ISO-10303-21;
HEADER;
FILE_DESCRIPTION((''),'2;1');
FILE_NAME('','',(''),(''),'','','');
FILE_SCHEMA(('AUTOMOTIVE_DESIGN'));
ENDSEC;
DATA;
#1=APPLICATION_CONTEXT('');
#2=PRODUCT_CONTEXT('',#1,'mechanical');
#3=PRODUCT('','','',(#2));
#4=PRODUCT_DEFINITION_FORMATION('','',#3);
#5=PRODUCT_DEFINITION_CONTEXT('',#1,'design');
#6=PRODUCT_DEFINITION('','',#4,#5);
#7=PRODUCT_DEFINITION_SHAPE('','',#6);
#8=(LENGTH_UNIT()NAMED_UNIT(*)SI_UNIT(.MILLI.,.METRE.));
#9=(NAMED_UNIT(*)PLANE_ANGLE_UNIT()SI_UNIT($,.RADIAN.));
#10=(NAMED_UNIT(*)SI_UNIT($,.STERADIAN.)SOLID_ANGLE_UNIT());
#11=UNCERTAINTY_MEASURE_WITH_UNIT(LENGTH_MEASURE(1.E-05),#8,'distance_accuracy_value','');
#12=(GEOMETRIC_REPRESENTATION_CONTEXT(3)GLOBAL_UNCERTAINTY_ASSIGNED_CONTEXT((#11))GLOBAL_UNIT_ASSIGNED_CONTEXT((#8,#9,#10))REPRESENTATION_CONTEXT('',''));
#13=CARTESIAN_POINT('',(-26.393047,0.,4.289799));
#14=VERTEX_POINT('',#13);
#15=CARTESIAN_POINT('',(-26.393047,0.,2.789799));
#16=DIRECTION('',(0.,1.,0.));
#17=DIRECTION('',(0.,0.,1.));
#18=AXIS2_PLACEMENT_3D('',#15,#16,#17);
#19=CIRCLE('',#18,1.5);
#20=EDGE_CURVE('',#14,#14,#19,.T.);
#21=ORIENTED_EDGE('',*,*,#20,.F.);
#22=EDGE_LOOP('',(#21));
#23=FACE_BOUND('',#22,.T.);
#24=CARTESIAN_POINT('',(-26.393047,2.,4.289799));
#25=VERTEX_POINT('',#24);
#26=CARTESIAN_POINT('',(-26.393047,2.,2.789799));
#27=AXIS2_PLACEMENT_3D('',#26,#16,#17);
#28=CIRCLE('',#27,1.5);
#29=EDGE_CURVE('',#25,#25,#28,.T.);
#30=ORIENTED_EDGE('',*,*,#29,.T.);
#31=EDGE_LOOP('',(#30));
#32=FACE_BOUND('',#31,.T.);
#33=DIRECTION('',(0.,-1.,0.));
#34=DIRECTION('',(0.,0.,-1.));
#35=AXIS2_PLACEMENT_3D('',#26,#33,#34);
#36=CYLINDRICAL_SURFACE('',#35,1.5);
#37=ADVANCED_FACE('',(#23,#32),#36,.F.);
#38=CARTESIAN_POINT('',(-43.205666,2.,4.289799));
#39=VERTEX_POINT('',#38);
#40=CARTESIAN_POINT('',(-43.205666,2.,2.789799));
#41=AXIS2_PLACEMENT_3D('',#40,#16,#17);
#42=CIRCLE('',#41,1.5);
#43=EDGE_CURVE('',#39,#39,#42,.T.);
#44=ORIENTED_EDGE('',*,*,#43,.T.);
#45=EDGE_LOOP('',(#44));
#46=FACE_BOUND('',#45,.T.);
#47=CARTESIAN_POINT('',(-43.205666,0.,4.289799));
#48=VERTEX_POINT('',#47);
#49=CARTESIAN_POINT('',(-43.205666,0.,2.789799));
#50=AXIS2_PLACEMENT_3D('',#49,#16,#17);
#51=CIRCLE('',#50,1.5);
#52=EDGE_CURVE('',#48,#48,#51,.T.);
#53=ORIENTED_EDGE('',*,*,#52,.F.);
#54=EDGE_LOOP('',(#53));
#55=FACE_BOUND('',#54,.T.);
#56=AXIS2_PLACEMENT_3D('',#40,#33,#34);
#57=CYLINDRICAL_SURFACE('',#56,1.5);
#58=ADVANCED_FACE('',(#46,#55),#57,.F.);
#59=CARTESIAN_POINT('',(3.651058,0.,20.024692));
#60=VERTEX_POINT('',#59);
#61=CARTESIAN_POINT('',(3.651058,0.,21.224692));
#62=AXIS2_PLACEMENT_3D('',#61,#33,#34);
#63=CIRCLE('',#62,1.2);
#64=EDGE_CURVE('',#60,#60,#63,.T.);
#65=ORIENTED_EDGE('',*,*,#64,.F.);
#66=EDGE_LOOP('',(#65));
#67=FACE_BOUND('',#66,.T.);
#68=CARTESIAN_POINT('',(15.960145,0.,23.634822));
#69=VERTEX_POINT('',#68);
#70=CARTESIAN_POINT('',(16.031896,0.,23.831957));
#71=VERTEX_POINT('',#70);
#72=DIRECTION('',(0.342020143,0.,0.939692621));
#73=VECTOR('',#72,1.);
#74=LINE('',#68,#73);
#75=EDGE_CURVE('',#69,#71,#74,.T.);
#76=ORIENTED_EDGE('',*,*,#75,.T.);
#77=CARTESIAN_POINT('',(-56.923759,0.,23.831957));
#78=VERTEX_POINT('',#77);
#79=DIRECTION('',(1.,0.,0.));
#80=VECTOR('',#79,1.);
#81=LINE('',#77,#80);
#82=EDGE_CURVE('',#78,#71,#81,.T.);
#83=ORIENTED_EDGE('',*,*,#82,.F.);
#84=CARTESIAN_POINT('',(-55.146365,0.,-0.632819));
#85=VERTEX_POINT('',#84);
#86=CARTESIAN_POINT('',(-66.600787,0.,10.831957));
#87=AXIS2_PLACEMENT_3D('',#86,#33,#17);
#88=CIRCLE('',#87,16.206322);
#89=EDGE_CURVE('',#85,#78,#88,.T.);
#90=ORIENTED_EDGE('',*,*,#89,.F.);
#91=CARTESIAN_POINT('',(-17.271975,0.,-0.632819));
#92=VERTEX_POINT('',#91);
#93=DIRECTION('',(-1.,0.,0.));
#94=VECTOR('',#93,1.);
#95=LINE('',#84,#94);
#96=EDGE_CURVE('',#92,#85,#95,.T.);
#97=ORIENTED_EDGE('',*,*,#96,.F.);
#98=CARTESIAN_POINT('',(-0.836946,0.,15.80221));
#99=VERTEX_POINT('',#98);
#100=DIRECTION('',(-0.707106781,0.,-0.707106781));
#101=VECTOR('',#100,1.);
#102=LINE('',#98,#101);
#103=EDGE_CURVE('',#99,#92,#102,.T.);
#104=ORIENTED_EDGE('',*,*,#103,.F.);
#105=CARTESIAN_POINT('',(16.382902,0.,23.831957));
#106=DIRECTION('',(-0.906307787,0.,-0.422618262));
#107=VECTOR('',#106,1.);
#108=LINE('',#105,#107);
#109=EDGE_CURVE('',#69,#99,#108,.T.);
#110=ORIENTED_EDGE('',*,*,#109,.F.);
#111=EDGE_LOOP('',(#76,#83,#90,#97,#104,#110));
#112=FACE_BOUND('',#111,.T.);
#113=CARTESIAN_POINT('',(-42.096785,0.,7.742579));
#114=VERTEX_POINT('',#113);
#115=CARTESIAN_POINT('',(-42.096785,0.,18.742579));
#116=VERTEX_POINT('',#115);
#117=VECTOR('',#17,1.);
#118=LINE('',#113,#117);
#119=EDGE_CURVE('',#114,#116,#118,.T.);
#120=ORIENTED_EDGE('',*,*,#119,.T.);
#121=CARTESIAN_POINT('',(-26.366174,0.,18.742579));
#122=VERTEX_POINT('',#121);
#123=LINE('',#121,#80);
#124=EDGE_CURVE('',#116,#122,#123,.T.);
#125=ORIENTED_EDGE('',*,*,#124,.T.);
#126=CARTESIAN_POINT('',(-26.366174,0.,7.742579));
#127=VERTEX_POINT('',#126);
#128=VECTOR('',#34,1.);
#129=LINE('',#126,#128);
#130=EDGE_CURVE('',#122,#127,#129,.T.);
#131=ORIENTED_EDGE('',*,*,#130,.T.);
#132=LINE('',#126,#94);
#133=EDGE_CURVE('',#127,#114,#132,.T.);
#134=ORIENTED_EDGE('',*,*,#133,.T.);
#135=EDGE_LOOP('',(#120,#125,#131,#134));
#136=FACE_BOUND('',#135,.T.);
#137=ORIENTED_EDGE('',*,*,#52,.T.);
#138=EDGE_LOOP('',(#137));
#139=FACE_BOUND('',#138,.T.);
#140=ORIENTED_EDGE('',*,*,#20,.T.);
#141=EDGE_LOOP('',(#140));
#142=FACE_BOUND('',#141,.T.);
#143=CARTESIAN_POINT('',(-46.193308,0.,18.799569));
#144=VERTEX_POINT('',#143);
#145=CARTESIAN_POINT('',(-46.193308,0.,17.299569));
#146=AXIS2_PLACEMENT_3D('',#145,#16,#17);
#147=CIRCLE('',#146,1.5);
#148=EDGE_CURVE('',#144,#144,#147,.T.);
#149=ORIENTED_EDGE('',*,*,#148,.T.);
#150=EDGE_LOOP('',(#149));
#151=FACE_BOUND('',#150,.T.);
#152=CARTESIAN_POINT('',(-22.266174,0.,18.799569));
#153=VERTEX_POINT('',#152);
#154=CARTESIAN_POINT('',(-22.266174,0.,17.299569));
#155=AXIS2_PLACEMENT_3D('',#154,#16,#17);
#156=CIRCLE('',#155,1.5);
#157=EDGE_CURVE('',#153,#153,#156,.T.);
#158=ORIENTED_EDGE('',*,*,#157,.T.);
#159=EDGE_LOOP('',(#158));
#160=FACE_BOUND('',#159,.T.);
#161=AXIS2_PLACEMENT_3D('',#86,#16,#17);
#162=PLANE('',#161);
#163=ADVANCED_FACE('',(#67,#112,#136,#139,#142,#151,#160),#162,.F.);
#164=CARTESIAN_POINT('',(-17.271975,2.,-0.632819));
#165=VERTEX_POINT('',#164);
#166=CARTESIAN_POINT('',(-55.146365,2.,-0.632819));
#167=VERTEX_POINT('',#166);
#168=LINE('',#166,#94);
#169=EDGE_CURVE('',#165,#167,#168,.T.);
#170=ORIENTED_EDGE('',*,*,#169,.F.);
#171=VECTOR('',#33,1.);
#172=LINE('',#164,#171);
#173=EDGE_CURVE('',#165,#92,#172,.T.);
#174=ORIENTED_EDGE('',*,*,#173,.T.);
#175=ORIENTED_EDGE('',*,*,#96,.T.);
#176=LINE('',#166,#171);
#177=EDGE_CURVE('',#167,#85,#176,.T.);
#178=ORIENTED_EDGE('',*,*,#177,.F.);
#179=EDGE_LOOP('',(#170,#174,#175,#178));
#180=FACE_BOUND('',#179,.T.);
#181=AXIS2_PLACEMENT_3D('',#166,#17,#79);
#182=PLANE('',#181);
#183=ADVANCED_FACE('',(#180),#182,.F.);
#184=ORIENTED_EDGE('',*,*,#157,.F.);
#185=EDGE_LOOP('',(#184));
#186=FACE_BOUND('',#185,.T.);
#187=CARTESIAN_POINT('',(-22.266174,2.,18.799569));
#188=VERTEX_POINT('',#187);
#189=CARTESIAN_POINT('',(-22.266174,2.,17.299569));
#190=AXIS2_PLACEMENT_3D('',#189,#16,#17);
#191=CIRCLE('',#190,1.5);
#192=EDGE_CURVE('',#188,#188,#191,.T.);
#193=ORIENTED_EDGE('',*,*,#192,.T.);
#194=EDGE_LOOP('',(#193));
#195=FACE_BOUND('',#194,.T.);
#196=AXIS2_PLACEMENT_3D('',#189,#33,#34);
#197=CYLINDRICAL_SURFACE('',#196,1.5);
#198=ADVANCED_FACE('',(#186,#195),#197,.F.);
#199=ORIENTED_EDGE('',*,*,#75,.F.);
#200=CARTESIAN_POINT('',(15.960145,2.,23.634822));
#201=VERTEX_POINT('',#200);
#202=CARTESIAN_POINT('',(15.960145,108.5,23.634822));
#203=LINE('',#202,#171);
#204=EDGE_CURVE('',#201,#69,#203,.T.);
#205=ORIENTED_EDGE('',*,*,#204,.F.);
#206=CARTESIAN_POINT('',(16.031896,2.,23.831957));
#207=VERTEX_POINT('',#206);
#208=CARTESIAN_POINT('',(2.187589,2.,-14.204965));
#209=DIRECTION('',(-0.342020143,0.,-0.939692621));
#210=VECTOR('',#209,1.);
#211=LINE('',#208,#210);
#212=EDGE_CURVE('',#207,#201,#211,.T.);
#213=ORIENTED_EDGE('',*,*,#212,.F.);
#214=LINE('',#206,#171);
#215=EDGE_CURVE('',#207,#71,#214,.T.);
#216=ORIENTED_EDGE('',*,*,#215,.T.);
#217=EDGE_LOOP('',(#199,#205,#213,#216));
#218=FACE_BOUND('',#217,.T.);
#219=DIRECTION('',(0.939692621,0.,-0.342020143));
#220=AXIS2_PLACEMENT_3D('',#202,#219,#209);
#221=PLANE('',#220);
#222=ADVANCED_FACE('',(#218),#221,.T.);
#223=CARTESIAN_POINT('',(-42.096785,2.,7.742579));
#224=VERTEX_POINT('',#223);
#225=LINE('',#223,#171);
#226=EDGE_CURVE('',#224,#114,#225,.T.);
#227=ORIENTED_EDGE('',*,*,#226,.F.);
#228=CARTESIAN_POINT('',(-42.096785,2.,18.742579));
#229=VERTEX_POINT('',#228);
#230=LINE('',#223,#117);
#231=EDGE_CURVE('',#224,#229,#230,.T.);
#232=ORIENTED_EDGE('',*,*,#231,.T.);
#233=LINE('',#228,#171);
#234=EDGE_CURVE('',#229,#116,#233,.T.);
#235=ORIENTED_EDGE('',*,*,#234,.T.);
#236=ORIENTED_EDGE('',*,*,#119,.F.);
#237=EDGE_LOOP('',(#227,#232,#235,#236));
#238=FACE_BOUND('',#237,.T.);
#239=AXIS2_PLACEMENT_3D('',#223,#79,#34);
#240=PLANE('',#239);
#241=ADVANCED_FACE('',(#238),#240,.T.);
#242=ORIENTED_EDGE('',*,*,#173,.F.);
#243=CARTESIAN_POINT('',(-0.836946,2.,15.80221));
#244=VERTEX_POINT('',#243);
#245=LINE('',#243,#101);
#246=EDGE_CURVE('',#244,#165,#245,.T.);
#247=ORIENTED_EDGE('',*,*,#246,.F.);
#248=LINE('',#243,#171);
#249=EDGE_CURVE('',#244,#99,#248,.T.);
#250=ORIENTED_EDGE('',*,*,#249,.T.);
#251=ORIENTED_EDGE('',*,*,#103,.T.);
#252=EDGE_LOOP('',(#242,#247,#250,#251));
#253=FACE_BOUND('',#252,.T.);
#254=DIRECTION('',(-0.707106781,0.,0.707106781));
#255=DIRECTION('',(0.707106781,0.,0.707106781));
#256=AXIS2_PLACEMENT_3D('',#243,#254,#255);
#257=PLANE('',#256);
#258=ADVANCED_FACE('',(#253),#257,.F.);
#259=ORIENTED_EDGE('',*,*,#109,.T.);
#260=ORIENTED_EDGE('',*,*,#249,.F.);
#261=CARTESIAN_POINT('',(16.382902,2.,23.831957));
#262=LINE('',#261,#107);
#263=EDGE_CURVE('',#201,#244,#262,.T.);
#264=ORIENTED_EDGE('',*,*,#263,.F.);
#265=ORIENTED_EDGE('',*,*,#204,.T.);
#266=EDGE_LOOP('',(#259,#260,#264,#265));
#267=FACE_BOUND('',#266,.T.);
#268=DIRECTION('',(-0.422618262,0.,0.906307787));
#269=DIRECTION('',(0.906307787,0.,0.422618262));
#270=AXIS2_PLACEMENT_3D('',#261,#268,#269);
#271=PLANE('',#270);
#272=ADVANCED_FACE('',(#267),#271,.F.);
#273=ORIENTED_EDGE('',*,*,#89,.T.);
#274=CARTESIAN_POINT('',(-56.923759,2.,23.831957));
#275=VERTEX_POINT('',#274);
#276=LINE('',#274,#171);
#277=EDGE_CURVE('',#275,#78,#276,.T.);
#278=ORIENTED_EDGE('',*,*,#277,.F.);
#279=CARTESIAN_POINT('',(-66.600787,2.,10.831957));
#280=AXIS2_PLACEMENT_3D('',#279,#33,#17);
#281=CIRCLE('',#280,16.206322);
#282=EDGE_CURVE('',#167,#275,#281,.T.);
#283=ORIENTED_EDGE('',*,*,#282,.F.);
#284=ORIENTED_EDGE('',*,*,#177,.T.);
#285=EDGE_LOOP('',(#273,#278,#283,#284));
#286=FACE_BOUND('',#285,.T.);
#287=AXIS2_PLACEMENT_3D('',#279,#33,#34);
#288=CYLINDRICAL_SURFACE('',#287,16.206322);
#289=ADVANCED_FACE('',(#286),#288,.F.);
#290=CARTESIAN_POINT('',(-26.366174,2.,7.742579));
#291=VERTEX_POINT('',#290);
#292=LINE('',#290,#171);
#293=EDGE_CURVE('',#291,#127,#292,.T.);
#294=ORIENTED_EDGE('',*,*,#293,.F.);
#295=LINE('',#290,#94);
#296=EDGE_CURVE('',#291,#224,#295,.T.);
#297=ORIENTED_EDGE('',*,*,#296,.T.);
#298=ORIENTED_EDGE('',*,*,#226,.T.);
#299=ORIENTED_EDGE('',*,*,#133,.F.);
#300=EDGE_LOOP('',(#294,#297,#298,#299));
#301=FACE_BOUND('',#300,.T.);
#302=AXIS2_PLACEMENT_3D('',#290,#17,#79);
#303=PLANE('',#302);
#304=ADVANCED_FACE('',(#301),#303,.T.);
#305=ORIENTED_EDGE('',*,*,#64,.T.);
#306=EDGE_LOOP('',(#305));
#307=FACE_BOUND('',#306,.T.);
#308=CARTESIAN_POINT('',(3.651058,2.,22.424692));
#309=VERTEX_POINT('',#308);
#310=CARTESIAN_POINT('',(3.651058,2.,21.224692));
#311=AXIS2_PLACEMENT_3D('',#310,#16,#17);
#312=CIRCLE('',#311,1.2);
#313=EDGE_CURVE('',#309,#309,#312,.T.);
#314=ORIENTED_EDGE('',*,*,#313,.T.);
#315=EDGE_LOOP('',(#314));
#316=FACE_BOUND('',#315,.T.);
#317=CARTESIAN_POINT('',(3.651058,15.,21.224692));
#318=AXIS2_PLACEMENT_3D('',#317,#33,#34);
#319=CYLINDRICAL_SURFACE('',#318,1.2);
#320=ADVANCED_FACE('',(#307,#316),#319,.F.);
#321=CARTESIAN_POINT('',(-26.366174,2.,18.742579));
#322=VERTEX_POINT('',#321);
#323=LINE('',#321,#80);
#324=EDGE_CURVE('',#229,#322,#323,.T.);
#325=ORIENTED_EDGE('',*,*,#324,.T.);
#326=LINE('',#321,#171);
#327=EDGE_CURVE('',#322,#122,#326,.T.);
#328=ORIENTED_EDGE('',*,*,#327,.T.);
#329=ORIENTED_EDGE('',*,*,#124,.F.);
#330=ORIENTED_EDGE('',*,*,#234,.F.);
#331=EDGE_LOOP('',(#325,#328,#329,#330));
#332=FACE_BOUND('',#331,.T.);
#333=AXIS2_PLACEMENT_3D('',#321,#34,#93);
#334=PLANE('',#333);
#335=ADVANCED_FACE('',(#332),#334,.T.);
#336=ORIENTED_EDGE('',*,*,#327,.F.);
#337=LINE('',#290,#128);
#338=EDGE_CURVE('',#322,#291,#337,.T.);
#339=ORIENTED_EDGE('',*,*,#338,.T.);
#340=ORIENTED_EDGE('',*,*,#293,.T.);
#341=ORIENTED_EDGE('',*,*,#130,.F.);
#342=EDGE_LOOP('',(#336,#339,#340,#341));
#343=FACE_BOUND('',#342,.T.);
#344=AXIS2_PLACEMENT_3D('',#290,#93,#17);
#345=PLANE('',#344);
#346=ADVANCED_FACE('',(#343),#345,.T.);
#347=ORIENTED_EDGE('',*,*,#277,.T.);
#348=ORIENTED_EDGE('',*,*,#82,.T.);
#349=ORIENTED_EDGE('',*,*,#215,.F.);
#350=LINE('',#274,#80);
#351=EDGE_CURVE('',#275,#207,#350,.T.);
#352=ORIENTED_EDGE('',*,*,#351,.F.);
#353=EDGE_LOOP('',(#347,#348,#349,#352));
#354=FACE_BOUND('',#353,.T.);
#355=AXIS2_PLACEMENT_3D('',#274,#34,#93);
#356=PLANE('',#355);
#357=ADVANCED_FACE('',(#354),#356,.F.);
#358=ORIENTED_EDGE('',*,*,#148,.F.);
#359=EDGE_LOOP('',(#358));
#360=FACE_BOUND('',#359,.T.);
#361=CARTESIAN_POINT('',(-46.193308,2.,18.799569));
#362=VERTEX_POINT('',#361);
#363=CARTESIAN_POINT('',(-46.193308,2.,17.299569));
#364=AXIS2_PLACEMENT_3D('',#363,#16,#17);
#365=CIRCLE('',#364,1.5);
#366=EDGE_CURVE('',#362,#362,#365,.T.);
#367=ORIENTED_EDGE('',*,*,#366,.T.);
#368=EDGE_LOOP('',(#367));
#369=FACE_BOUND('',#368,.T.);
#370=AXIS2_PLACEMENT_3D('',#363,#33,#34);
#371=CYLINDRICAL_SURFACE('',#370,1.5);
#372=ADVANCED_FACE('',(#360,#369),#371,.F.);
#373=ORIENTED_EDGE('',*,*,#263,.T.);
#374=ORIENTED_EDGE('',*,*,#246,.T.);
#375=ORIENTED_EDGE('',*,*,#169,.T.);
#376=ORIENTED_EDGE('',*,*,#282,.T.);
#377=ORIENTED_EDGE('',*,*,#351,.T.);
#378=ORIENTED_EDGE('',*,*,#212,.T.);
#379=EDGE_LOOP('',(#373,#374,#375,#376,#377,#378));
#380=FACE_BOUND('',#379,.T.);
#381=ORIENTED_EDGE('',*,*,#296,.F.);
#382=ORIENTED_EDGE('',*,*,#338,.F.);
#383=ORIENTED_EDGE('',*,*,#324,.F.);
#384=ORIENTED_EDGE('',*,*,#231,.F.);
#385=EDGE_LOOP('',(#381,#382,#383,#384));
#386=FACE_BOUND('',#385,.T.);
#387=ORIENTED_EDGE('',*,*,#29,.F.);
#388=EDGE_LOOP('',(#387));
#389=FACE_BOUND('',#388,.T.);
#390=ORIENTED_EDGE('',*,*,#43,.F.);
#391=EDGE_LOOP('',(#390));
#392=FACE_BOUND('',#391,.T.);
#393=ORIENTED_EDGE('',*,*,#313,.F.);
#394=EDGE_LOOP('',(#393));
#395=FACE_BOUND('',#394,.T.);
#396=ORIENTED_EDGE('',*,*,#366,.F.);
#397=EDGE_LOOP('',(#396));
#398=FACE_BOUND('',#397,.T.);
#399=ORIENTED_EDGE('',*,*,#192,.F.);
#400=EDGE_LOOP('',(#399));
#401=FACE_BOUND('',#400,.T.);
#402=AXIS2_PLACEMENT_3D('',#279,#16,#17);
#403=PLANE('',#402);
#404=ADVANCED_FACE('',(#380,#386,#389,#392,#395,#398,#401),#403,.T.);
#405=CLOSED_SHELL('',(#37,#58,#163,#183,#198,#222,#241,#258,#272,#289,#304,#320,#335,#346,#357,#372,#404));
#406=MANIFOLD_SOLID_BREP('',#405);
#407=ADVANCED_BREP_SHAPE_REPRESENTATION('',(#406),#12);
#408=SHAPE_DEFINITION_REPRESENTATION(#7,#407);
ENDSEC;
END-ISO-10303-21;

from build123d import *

# Parameters (mm, degrees)
SKETCH_1_R               = 1.5
SKETCH_1_W               = 15.730611704
SKETCH_1_H               = 11
EXTRUDE_1_DEPTH          = 2
CUT_EXTRUDE_1_DEPTH      = 106.5
CUT_EXTRUDE_1_DEPTH_BACK = 62.743635726
SKETCH_7_R               = 1.2
CUT_EXTRUDE_5_DEPTH      = 15


with BuildPart() as part:
    # Эскиз1 → Бобышка-Вытянуть1 (new body)
    with BuildSketch(Plane(origin=(0, 0, 0), x_dir=(1, 0, 0), z_dir=(0, 1, 0))):
        with BuildLine():
            Line((-56.923759365, -23.831956958), (16.382902061, -23.831956958))
            Line((16.382902061, -23.831956958), (-0.836945892, -15.802209985))
            Line((-0.836945892, -15.802209985), (-17.271974735, 0.632818857))
            Line((-17.271974735, 0.632818857), (-55.146365247, 0.632818857))
            ThreePointArc((-55.146365247, 0.632818857), (-50.679018006, -7.808361393), (-51.74094673, -17.29956905))
            ThreePointArc((-51.74094673, -17.29956905), (-53.905020217, -20.904809923), (-56.923759365, -23.831956958))
        make_face()
        with Locations((-43.205666325, -2.789799404)):
            Circle(SKETCH_1_R, mode=Mode.SUBTRACT)
        with Locations((-26.393046621, -2.789799404)):
            Circle(SKETCH_1_R, mode=Mode.SUBTRACT)
        with Locations((-46.193307824, -17.29956905)):
            Circle(SKETCH_1_R, mode=Mode.SUBTRACT)
        with Locations((-22.266173528, -17.29956905)):
            Circle(SKETCH_1_R, mode=Mode.SUBTRACT)
        with Locations((-34.23147938, -13.242579452)):
            Rectangle(SKETCH_1_W, SKETCH_1_H, mode=Mode.SUBTRACT)
    extrude(amount=EXTRUDE_1_DEPTH)

    # Эскиз2 → Вырез-Вытянуть1 (cut, two sides: drawn at the far end of the back side and taken through both)
    with BuildSketch(Plane(origin=(0, 2, 0), x_dir=(1, 0, 0), z_dir=(0, 1, 0)).offset(-CUT_EXTRUDE_1_DEPTH_BACK)):
        Polygon((16.382902061, -23.831956958), (15.960145161, -23.634822178), (16.059019052, -23.90647596), align=None)
    extrude(amount=CUT_EXTRUDE_1_DEPTH + CUT_EXTRUDE_1_DEPTH_BACK, mode=Mode.SUBTRACT)

    # Эскиз7 → Вырез-Вытянуть5 (cut)
    with BuildSketch(Plane.XZ):
        with Locations((3.651057562, 21.224691708)):
            Circle(SKETCH_7_R)
    extrude(amount=-CUT_EXTRUDE_5_DEPTH, mode=Mode.SUBTRACT)


solid = part.part
